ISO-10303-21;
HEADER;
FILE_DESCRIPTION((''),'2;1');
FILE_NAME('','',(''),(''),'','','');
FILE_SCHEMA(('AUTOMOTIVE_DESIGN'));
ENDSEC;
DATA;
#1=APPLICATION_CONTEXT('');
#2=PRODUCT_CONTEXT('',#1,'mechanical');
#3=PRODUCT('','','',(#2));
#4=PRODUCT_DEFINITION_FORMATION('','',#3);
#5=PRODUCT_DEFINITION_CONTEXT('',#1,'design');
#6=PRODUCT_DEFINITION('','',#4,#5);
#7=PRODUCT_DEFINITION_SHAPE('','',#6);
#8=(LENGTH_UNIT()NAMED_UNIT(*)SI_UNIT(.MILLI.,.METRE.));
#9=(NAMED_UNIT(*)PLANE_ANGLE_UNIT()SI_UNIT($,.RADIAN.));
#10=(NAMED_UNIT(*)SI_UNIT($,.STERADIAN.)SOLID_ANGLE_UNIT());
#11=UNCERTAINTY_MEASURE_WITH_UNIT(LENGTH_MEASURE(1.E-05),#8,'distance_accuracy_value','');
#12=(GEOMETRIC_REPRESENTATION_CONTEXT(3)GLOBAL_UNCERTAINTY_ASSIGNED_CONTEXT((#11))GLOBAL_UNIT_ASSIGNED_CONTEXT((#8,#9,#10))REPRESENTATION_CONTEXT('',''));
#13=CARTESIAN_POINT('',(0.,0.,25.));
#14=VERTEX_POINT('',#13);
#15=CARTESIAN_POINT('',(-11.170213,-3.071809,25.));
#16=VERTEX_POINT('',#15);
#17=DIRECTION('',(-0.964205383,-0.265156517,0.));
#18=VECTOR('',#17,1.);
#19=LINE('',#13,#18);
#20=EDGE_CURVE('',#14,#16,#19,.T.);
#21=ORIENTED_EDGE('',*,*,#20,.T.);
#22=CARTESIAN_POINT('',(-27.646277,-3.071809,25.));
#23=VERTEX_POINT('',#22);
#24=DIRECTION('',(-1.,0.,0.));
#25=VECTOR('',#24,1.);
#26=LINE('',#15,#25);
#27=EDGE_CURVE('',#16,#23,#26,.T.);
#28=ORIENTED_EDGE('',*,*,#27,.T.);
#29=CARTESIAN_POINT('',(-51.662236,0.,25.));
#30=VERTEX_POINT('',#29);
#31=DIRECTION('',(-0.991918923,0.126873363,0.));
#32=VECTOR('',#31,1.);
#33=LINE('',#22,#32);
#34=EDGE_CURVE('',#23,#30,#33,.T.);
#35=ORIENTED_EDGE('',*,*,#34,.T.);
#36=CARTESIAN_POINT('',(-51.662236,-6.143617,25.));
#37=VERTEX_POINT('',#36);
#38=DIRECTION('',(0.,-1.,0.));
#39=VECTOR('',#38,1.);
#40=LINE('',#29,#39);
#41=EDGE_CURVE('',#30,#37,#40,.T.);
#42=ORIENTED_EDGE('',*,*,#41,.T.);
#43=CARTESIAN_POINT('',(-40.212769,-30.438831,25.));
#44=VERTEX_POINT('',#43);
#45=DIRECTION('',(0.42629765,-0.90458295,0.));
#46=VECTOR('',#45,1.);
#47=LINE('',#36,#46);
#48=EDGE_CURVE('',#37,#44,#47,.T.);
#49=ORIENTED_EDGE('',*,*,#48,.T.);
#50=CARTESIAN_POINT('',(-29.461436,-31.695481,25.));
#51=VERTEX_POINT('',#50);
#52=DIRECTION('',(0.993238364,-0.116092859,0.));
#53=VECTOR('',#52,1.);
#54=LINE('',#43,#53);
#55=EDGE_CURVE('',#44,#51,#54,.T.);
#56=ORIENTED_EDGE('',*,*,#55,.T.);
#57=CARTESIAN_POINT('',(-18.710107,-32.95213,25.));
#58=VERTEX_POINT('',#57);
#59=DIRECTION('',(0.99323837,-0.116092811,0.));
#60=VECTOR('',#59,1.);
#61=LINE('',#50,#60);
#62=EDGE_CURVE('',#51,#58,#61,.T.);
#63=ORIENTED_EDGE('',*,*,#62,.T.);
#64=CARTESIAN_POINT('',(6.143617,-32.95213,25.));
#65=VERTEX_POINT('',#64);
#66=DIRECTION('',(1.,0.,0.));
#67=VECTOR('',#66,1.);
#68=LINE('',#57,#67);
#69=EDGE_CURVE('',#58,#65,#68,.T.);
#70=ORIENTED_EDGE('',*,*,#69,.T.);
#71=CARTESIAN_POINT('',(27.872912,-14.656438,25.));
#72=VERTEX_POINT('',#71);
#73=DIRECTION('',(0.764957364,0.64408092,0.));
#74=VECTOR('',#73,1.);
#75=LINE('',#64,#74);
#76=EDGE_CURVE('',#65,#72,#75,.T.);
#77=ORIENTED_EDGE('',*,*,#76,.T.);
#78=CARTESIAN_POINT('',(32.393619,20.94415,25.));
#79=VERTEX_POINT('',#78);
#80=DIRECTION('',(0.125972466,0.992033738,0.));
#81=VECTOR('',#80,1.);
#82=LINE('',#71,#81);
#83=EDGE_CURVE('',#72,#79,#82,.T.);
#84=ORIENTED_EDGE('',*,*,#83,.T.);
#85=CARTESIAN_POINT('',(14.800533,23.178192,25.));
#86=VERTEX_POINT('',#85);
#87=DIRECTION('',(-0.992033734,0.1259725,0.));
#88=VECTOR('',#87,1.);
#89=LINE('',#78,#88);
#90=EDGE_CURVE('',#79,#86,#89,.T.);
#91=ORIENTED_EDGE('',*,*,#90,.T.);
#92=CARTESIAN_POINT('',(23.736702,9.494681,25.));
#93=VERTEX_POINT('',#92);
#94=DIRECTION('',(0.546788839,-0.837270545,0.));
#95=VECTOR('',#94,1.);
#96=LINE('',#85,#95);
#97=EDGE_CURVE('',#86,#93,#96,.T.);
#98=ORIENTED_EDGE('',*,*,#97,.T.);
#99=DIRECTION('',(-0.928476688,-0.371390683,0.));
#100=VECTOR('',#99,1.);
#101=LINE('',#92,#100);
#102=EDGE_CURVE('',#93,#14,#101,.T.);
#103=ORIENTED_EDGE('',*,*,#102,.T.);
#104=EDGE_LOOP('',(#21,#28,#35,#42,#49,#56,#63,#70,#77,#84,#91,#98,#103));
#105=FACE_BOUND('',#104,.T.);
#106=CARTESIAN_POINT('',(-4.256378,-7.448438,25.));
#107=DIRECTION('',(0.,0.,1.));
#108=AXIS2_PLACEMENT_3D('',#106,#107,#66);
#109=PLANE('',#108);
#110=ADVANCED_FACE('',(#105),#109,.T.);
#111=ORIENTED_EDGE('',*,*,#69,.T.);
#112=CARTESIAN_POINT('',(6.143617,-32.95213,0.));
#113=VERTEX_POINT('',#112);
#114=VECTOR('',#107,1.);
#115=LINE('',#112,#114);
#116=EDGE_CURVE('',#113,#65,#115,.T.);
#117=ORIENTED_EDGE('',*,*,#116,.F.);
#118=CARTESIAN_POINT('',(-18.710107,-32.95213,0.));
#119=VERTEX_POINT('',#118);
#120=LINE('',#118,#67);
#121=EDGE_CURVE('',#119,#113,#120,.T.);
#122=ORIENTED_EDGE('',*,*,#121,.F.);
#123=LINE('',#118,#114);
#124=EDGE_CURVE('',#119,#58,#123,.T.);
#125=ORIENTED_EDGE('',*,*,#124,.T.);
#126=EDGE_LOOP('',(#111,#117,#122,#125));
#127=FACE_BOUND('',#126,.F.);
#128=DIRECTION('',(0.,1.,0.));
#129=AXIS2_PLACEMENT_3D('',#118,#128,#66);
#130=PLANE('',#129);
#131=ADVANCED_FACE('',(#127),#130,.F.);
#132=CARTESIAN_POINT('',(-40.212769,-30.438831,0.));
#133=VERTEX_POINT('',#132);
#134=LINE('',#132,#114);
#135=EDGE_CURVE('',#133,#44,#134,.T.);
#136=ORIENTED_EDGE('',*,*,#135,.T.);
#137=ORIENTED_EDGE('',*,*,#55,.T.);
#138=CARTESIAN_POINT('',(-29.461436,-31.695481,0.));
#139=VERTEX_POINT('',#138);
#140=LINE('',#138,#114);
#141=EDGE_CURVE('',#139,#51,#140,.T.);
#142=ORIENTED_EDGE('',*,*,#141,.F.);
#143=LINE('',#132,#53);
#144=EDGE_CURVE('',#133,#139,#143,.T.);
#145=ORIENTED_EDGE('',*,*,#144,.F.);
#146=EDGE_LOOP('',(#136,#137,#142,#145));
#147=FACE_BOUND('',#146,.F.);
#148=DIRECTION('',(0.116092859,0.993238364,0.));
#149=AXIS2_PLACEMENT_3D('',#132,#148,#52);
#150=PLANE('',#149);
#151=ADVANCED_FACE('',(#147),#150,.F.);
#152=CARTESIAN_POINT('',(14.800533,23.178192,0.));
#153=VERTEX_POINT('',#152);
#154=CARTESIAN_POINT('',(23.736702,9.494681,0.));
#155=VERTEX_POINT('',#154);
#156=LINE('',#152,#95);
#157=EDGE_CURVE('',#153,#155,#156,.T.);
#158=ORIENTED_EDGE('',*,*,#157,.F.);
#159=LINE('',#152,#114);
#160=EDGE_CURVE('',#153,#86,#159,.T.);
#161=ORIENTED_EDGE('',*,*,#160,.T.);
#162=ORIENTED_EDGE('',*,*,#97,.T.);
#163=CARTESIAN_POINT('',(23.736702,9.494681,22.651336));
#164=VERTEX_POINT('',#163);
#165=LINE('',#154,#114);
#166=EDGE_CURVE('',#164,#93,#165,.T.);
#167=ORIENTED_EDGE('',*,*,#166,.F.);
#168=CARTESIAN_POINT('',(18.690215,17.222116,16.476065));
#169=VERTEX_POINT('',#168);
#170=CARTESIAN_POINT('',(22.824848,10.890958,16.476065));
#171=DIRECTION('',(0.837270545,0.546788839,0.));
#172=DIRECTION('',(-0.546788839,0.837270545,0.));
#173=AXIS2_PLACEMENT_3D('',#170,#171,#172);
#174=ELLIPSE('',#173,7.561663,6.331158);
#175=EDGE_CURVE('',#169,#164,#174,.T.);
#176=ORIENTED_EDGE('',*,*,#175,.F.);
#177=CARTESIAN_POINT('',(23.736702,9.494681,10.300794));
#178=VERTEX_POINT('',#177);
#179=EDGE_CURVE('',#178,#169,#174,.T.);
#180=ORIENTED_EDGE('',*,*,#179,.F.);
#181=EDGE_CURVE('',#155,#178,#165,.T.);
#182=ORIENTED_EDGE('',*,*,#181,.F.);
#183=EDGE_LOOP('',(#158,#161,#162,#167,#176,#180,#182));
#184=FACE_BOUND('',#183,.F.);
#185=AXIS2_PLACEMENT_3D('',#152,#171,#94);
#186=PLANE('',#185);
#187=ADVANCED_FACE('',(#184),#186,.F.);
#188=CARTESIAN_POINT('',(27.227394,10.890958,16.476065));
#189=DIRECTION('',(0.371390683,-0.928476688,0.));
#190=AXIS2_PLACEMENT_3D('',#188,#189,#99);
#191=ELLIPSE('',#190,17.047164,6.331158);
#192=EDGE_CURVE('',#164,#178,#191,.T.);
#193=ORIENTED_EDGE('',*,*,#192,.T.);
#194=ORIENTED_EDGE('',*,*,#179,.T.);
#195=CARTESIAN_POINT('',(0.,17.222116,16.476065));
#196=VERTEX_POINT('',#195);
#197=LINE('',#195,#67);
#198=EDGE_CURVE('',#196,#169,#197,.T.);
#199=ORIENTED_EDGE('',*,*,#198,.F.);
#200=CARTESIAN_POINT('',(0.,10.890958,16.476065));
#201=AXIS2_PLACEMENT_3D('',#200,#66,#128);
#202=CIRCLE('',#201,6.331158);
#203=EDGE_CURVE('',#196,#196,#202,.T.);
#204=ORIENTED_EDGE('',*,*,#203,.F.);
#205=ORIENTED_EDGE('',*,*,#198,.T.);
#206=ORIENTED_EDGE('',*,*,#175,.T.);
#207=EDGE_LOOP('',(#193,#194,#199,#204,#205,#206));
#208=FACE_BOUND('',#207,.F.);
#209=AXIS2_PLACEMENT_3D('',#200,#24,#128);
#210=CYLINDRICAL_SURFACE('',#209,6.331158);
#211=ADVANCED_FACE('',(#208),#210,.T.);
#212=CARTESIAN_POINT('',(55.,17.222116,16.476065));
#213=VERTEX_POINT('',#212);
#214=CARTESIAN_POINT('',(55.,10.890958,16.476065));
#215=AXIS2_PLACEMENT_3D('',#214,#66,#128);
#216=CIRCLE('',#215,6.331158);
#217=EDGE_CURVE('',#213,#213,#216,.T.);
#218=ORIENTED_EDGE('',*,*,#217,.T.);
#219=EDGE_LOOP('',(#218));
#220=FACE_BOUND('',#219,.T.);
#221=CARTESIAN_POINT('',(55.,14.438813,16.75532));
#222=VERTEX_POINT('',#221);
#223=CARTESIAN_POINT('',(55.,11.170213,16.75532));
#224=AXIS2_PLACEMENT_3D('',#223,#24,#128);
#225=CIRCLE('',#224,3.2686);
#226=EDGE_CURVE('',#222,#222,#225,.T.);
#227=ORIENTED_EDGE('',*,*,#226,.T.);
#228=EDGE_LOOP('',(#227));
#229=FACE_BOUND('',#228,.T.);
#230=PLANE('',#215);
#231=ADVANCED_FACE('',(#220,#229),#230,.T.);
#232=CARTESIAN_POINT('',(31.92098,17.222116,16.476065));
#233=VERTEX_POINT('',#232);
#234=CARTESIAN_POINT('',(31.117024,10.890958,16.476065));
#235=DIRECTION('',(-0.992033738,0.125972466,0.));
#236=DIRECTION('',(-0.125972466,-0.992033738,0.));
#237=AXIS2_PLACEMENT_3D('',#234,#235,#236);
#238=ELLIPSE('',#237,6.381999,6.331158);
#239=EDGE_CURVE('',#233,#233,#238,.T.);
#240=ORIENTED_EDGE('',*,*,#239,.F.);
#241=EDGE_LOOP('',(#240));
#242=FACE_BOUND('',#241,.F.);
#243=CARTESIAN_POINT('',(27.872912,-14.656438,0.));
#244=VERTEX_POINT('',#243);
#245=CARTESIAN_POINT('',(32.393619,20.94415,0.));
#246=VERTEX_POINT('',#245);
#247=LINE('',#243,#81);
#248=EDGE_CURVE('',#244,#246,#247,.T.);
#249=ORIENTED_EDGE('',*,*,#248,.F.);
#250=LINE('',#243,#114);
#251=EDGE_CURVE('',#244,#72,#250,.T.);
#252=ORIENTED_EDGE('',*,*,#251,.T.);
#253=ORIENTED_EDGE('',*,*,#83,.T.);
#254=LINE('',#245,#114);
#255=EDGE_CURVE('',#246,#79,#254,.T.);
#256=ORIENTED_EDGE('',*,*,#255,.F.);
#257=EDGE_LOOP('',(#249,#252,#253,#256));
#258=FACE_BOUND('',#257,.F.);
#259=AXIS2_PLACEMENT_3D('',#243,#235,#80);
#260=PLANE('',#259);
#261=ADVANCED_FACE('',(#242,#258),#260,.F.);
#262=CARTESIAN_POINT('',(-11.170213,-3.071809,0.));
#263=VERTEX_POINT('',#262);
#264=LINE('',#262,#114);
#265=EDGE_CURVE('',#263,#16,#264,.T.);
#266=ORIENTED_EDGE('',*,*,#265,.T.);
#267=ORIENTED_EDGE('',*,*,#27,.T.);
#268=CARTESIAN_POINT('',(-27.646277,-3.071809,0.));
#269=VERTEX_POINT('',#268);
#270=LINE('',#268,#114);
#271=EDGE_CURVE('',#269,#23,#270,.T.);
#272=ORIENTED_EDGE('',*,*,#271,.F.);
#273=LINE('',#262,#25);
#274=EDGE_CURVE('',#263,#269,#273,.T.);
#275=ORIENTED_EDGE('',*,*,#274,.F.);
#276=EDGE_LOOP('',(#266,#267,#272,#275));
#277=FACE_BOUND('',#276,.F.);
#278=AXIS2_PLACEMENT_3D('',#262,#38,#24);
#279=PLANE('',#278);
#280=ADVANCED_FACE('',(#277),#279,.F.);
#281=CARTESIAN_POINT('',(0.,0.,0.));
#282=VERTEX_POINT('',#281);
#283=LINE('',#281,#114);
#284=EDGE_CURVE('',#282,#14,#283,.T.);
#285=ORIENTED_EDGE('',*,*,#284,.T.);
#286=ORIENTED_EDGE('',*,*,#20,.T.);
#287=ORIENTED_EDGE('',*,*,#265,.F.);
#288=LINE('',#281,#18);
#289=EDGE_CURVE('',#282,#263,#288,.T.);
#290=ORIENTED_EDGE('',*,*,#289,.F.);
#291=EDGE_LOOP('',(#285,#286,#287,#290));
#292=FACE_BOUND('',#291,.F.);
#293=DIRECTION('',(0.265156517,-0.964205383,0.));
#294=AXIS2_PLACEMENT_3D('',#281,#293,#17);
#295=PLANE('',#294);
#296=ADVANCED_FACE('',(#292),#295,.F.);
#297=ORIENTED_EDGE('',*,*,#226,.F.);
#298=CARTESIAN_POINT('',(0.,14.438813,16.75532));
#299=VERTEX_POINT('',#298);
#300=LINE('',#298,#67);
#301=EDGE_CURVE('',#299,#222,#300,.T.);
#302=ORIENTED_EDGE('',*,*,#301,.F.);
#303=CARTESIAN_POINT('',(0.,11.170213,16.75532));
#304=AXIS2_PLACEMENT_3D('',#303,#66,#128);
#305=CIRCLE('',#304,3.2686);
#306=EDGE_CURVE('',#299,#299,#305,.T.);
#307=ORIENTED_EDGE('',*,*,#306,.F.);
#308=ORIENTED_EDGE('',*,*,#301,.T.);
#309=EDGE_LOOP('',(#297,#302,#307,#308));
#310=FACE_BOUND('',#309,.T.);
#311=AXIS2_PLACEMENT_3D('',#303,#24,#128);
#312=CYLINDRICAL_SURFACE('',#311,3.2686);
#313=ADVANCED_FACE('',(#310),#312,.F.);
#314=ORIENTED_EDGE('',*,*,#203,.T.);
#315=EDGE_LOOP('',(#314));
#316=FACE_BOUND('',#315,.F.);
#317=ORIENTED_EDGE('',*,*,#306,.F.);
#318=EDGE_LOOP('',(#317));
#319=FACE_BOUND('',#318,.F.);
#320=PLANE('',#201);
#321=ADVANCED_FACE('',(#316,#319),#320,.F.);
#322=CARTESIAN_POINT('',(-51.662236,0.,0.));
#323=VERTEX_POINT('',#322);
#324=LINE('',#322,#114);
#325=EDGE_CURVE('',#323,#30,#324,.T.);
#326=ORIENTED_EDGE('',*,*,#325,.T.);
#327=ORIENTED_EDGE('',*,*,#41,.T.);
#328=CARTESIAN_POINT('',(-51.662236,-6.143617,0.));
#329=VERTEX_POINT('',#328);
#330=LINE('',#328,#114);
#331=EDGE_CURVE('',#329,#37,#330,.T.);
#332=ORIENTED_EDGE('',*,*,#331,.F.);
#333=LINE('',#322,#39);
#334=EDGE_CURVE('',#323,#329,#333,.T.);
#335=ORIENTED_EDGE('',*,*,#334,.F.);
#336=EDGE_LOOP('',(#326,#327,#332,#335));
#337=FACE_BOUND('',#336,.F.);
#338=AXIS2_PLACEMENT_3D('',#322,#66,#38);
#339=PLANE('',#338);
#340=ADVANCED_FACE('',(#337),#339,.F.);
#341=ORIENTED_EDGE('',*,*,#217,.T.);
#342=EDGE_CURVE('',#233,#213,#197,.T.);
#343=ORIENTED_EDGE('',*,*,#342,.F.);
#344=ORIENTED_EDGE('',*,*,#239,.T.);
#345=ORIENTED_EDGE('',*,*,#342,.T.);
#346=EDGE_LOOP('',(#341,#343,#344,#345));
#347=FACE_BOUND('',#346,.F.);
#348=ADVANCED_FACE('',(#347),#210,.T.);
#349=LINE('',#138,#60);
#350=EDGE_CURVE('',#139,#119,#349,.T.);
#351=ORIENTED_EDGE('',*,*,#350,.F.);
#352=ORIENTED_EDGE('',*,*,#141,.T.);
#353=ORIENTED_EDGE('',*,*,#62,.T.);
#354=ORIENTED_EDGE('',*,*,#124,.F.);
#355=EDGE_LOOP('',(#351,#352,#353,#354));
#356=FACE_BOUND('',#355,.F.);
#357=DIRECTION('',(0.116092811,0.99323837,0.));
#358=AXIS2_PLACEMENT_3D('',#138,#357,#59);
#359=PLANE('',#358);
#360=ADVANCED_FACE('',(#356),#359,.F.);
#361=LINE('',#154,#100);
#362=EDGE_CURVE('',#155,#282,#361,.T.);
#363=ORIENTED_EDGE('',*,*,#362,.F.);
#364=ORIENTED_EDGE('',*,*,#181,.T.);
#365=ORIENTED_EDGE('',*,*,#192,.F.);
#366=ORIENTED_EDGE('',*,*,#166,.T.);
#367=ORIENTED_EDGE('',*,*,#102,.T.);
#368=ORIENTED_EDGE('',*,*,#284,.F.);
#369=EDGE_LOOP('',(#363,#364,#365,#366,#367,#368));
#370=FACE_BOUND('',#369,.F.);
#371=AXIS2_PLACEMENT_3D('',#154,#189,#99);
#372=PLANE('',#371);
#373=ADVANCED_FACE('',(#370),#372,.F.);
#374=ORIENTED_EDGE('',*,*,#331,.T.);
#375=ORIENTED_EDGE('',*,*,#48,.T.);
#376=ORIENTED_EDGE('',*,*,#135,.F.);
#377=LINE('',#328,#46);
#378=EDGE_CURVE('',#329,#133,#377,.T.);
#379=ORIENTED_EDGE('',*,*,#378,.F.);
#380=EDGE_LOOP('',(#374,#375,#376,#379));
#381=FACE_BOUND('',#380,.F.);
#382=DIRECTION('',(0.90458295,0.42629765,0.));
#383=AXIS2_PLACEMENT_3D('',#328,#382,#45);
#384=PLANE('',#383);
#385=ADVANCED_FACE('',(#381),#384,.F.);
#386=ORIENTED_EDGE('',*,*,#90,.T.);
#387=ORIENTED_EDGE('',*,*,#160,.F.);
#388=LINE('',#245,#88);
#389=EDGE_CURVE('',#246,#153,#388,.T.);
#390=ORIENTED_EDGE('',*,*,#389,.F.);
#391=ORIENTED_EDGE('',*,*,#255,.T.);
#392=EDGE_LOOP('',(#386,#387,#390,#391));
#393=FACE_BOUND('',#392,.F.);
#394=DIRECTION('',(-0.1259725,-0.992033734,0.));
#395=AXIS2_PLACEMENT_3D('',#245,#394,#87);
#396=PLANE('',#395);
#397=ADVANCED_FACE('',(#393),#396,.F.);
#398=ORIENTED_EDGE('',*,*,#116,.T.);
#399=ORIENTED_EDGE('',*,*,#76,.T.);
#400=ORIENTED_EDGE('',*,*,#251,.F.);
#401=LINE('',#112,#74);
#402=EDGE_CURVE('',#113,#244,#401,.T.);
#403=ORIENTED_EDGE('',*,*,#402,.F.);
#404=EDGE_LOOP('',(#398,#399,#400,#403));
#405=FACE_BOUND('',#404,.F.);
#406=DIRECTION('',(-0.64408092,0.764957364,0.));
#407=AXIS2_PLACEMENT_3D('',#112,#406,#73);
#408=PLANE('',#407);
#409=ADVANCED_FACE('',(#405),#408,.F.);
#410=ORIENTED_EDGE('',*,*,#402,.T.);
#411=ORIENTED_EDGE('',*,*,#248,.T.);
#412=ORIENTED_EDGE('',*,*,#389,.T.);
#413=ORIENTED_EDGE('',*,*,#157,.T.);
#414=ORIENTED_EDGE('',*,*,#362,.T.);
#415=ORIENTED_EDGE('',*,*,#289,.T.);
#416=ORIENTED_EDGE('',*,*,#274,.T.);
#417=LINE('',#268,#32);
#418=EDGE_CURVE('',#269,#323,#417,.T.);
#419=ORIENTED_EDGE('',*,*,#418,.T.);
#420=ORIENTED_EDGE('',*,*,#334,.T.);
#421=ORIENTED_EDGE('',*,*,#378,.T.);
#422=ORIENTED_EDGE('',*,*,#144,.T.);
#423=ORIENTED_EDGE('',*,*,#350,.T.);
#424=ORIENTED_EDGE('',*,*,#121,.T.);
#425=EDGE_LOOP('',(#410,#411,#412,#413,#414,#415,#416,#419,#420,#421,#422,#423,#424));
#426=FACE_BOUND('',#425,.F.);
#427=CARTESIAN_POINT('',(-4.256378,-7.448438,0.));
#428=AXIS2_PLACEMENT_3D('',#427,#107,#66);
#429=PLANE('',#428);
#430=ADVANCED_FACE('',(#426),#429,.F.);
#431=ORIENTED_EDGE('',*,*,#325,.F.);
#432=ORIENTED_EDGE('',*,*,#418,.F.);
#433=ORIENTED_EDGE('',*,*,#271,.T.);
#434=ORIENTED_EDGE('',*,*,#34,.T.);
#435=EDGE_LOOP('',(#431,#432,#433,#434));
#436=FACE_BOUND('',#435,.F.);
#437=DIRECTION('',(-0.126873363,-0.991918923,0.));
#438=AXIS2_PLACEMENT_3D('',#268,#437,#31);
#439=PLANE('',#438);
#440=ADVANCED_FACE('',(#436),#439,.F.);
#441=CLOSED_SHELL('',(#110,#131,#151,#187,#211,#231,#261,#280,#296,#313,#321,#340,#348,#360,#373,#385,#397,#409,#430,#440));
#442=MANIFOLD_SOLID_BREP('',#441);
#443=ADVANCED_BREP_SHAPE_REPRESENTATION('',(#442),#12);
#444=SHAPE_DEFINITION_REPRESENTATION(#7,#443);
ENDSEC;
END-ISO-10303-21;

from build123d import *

# Parameters (mm, degrees)
F1_DEPTH = 25
F2_R     = 6.331158
F3_DEPTH = 55
F4_R     = 4.545947
F5_DEPTH = 51.663236
F6_R     = 3.2686
F7_DEPTH = 55.001


with BuildPart() as f1:
    # F0 (on Top) → F1 (new body)
    with BuildSketch(Plane.XY):
        Polygon((23.736702, 9.494681), (0, 0), (-11.170213, -3.071809), (-27.646277, -3.071809), (-51.662236, 0), (-51.662236, -6.143617), (-40.212769, -30.438831), (-29.461436, -31.695481), (-18.710107, -32.95213), (6.143617, -32.95213), (27.872912, -14.656438), (32.393619, 20.94415), (14.800533, 23.178192), align=None)
    extrude(amount=F1_DEPTH)

    # F2 (on Right) → F3 (join)
    with BuildSketch(Plane.YZ):
        with Locations((10.890958, 16.476065)):
            Circle(F2_R)
    extrude(amount=F3_DEPTH)

    # F4 (on Right) → F5 (cut, through all)
    with BuildSketch(Plane.YZ):
        with Locations((10.890957, 16.75532)):
            Circle(F4_R)
    extrude(amount=-F5_DEPTH, mode=Mode.SUBTRACT)

    # F6 (on Right) → F7 (cut, through all)
    with BuildSketch(Plane.YZ):
        with Locations((11.170213, 16.75532)):
            Circle(F6_R)
    extrude(amount=F7_DEPTH, mode=Mode.SUBTRACT)


solid = f1.part
